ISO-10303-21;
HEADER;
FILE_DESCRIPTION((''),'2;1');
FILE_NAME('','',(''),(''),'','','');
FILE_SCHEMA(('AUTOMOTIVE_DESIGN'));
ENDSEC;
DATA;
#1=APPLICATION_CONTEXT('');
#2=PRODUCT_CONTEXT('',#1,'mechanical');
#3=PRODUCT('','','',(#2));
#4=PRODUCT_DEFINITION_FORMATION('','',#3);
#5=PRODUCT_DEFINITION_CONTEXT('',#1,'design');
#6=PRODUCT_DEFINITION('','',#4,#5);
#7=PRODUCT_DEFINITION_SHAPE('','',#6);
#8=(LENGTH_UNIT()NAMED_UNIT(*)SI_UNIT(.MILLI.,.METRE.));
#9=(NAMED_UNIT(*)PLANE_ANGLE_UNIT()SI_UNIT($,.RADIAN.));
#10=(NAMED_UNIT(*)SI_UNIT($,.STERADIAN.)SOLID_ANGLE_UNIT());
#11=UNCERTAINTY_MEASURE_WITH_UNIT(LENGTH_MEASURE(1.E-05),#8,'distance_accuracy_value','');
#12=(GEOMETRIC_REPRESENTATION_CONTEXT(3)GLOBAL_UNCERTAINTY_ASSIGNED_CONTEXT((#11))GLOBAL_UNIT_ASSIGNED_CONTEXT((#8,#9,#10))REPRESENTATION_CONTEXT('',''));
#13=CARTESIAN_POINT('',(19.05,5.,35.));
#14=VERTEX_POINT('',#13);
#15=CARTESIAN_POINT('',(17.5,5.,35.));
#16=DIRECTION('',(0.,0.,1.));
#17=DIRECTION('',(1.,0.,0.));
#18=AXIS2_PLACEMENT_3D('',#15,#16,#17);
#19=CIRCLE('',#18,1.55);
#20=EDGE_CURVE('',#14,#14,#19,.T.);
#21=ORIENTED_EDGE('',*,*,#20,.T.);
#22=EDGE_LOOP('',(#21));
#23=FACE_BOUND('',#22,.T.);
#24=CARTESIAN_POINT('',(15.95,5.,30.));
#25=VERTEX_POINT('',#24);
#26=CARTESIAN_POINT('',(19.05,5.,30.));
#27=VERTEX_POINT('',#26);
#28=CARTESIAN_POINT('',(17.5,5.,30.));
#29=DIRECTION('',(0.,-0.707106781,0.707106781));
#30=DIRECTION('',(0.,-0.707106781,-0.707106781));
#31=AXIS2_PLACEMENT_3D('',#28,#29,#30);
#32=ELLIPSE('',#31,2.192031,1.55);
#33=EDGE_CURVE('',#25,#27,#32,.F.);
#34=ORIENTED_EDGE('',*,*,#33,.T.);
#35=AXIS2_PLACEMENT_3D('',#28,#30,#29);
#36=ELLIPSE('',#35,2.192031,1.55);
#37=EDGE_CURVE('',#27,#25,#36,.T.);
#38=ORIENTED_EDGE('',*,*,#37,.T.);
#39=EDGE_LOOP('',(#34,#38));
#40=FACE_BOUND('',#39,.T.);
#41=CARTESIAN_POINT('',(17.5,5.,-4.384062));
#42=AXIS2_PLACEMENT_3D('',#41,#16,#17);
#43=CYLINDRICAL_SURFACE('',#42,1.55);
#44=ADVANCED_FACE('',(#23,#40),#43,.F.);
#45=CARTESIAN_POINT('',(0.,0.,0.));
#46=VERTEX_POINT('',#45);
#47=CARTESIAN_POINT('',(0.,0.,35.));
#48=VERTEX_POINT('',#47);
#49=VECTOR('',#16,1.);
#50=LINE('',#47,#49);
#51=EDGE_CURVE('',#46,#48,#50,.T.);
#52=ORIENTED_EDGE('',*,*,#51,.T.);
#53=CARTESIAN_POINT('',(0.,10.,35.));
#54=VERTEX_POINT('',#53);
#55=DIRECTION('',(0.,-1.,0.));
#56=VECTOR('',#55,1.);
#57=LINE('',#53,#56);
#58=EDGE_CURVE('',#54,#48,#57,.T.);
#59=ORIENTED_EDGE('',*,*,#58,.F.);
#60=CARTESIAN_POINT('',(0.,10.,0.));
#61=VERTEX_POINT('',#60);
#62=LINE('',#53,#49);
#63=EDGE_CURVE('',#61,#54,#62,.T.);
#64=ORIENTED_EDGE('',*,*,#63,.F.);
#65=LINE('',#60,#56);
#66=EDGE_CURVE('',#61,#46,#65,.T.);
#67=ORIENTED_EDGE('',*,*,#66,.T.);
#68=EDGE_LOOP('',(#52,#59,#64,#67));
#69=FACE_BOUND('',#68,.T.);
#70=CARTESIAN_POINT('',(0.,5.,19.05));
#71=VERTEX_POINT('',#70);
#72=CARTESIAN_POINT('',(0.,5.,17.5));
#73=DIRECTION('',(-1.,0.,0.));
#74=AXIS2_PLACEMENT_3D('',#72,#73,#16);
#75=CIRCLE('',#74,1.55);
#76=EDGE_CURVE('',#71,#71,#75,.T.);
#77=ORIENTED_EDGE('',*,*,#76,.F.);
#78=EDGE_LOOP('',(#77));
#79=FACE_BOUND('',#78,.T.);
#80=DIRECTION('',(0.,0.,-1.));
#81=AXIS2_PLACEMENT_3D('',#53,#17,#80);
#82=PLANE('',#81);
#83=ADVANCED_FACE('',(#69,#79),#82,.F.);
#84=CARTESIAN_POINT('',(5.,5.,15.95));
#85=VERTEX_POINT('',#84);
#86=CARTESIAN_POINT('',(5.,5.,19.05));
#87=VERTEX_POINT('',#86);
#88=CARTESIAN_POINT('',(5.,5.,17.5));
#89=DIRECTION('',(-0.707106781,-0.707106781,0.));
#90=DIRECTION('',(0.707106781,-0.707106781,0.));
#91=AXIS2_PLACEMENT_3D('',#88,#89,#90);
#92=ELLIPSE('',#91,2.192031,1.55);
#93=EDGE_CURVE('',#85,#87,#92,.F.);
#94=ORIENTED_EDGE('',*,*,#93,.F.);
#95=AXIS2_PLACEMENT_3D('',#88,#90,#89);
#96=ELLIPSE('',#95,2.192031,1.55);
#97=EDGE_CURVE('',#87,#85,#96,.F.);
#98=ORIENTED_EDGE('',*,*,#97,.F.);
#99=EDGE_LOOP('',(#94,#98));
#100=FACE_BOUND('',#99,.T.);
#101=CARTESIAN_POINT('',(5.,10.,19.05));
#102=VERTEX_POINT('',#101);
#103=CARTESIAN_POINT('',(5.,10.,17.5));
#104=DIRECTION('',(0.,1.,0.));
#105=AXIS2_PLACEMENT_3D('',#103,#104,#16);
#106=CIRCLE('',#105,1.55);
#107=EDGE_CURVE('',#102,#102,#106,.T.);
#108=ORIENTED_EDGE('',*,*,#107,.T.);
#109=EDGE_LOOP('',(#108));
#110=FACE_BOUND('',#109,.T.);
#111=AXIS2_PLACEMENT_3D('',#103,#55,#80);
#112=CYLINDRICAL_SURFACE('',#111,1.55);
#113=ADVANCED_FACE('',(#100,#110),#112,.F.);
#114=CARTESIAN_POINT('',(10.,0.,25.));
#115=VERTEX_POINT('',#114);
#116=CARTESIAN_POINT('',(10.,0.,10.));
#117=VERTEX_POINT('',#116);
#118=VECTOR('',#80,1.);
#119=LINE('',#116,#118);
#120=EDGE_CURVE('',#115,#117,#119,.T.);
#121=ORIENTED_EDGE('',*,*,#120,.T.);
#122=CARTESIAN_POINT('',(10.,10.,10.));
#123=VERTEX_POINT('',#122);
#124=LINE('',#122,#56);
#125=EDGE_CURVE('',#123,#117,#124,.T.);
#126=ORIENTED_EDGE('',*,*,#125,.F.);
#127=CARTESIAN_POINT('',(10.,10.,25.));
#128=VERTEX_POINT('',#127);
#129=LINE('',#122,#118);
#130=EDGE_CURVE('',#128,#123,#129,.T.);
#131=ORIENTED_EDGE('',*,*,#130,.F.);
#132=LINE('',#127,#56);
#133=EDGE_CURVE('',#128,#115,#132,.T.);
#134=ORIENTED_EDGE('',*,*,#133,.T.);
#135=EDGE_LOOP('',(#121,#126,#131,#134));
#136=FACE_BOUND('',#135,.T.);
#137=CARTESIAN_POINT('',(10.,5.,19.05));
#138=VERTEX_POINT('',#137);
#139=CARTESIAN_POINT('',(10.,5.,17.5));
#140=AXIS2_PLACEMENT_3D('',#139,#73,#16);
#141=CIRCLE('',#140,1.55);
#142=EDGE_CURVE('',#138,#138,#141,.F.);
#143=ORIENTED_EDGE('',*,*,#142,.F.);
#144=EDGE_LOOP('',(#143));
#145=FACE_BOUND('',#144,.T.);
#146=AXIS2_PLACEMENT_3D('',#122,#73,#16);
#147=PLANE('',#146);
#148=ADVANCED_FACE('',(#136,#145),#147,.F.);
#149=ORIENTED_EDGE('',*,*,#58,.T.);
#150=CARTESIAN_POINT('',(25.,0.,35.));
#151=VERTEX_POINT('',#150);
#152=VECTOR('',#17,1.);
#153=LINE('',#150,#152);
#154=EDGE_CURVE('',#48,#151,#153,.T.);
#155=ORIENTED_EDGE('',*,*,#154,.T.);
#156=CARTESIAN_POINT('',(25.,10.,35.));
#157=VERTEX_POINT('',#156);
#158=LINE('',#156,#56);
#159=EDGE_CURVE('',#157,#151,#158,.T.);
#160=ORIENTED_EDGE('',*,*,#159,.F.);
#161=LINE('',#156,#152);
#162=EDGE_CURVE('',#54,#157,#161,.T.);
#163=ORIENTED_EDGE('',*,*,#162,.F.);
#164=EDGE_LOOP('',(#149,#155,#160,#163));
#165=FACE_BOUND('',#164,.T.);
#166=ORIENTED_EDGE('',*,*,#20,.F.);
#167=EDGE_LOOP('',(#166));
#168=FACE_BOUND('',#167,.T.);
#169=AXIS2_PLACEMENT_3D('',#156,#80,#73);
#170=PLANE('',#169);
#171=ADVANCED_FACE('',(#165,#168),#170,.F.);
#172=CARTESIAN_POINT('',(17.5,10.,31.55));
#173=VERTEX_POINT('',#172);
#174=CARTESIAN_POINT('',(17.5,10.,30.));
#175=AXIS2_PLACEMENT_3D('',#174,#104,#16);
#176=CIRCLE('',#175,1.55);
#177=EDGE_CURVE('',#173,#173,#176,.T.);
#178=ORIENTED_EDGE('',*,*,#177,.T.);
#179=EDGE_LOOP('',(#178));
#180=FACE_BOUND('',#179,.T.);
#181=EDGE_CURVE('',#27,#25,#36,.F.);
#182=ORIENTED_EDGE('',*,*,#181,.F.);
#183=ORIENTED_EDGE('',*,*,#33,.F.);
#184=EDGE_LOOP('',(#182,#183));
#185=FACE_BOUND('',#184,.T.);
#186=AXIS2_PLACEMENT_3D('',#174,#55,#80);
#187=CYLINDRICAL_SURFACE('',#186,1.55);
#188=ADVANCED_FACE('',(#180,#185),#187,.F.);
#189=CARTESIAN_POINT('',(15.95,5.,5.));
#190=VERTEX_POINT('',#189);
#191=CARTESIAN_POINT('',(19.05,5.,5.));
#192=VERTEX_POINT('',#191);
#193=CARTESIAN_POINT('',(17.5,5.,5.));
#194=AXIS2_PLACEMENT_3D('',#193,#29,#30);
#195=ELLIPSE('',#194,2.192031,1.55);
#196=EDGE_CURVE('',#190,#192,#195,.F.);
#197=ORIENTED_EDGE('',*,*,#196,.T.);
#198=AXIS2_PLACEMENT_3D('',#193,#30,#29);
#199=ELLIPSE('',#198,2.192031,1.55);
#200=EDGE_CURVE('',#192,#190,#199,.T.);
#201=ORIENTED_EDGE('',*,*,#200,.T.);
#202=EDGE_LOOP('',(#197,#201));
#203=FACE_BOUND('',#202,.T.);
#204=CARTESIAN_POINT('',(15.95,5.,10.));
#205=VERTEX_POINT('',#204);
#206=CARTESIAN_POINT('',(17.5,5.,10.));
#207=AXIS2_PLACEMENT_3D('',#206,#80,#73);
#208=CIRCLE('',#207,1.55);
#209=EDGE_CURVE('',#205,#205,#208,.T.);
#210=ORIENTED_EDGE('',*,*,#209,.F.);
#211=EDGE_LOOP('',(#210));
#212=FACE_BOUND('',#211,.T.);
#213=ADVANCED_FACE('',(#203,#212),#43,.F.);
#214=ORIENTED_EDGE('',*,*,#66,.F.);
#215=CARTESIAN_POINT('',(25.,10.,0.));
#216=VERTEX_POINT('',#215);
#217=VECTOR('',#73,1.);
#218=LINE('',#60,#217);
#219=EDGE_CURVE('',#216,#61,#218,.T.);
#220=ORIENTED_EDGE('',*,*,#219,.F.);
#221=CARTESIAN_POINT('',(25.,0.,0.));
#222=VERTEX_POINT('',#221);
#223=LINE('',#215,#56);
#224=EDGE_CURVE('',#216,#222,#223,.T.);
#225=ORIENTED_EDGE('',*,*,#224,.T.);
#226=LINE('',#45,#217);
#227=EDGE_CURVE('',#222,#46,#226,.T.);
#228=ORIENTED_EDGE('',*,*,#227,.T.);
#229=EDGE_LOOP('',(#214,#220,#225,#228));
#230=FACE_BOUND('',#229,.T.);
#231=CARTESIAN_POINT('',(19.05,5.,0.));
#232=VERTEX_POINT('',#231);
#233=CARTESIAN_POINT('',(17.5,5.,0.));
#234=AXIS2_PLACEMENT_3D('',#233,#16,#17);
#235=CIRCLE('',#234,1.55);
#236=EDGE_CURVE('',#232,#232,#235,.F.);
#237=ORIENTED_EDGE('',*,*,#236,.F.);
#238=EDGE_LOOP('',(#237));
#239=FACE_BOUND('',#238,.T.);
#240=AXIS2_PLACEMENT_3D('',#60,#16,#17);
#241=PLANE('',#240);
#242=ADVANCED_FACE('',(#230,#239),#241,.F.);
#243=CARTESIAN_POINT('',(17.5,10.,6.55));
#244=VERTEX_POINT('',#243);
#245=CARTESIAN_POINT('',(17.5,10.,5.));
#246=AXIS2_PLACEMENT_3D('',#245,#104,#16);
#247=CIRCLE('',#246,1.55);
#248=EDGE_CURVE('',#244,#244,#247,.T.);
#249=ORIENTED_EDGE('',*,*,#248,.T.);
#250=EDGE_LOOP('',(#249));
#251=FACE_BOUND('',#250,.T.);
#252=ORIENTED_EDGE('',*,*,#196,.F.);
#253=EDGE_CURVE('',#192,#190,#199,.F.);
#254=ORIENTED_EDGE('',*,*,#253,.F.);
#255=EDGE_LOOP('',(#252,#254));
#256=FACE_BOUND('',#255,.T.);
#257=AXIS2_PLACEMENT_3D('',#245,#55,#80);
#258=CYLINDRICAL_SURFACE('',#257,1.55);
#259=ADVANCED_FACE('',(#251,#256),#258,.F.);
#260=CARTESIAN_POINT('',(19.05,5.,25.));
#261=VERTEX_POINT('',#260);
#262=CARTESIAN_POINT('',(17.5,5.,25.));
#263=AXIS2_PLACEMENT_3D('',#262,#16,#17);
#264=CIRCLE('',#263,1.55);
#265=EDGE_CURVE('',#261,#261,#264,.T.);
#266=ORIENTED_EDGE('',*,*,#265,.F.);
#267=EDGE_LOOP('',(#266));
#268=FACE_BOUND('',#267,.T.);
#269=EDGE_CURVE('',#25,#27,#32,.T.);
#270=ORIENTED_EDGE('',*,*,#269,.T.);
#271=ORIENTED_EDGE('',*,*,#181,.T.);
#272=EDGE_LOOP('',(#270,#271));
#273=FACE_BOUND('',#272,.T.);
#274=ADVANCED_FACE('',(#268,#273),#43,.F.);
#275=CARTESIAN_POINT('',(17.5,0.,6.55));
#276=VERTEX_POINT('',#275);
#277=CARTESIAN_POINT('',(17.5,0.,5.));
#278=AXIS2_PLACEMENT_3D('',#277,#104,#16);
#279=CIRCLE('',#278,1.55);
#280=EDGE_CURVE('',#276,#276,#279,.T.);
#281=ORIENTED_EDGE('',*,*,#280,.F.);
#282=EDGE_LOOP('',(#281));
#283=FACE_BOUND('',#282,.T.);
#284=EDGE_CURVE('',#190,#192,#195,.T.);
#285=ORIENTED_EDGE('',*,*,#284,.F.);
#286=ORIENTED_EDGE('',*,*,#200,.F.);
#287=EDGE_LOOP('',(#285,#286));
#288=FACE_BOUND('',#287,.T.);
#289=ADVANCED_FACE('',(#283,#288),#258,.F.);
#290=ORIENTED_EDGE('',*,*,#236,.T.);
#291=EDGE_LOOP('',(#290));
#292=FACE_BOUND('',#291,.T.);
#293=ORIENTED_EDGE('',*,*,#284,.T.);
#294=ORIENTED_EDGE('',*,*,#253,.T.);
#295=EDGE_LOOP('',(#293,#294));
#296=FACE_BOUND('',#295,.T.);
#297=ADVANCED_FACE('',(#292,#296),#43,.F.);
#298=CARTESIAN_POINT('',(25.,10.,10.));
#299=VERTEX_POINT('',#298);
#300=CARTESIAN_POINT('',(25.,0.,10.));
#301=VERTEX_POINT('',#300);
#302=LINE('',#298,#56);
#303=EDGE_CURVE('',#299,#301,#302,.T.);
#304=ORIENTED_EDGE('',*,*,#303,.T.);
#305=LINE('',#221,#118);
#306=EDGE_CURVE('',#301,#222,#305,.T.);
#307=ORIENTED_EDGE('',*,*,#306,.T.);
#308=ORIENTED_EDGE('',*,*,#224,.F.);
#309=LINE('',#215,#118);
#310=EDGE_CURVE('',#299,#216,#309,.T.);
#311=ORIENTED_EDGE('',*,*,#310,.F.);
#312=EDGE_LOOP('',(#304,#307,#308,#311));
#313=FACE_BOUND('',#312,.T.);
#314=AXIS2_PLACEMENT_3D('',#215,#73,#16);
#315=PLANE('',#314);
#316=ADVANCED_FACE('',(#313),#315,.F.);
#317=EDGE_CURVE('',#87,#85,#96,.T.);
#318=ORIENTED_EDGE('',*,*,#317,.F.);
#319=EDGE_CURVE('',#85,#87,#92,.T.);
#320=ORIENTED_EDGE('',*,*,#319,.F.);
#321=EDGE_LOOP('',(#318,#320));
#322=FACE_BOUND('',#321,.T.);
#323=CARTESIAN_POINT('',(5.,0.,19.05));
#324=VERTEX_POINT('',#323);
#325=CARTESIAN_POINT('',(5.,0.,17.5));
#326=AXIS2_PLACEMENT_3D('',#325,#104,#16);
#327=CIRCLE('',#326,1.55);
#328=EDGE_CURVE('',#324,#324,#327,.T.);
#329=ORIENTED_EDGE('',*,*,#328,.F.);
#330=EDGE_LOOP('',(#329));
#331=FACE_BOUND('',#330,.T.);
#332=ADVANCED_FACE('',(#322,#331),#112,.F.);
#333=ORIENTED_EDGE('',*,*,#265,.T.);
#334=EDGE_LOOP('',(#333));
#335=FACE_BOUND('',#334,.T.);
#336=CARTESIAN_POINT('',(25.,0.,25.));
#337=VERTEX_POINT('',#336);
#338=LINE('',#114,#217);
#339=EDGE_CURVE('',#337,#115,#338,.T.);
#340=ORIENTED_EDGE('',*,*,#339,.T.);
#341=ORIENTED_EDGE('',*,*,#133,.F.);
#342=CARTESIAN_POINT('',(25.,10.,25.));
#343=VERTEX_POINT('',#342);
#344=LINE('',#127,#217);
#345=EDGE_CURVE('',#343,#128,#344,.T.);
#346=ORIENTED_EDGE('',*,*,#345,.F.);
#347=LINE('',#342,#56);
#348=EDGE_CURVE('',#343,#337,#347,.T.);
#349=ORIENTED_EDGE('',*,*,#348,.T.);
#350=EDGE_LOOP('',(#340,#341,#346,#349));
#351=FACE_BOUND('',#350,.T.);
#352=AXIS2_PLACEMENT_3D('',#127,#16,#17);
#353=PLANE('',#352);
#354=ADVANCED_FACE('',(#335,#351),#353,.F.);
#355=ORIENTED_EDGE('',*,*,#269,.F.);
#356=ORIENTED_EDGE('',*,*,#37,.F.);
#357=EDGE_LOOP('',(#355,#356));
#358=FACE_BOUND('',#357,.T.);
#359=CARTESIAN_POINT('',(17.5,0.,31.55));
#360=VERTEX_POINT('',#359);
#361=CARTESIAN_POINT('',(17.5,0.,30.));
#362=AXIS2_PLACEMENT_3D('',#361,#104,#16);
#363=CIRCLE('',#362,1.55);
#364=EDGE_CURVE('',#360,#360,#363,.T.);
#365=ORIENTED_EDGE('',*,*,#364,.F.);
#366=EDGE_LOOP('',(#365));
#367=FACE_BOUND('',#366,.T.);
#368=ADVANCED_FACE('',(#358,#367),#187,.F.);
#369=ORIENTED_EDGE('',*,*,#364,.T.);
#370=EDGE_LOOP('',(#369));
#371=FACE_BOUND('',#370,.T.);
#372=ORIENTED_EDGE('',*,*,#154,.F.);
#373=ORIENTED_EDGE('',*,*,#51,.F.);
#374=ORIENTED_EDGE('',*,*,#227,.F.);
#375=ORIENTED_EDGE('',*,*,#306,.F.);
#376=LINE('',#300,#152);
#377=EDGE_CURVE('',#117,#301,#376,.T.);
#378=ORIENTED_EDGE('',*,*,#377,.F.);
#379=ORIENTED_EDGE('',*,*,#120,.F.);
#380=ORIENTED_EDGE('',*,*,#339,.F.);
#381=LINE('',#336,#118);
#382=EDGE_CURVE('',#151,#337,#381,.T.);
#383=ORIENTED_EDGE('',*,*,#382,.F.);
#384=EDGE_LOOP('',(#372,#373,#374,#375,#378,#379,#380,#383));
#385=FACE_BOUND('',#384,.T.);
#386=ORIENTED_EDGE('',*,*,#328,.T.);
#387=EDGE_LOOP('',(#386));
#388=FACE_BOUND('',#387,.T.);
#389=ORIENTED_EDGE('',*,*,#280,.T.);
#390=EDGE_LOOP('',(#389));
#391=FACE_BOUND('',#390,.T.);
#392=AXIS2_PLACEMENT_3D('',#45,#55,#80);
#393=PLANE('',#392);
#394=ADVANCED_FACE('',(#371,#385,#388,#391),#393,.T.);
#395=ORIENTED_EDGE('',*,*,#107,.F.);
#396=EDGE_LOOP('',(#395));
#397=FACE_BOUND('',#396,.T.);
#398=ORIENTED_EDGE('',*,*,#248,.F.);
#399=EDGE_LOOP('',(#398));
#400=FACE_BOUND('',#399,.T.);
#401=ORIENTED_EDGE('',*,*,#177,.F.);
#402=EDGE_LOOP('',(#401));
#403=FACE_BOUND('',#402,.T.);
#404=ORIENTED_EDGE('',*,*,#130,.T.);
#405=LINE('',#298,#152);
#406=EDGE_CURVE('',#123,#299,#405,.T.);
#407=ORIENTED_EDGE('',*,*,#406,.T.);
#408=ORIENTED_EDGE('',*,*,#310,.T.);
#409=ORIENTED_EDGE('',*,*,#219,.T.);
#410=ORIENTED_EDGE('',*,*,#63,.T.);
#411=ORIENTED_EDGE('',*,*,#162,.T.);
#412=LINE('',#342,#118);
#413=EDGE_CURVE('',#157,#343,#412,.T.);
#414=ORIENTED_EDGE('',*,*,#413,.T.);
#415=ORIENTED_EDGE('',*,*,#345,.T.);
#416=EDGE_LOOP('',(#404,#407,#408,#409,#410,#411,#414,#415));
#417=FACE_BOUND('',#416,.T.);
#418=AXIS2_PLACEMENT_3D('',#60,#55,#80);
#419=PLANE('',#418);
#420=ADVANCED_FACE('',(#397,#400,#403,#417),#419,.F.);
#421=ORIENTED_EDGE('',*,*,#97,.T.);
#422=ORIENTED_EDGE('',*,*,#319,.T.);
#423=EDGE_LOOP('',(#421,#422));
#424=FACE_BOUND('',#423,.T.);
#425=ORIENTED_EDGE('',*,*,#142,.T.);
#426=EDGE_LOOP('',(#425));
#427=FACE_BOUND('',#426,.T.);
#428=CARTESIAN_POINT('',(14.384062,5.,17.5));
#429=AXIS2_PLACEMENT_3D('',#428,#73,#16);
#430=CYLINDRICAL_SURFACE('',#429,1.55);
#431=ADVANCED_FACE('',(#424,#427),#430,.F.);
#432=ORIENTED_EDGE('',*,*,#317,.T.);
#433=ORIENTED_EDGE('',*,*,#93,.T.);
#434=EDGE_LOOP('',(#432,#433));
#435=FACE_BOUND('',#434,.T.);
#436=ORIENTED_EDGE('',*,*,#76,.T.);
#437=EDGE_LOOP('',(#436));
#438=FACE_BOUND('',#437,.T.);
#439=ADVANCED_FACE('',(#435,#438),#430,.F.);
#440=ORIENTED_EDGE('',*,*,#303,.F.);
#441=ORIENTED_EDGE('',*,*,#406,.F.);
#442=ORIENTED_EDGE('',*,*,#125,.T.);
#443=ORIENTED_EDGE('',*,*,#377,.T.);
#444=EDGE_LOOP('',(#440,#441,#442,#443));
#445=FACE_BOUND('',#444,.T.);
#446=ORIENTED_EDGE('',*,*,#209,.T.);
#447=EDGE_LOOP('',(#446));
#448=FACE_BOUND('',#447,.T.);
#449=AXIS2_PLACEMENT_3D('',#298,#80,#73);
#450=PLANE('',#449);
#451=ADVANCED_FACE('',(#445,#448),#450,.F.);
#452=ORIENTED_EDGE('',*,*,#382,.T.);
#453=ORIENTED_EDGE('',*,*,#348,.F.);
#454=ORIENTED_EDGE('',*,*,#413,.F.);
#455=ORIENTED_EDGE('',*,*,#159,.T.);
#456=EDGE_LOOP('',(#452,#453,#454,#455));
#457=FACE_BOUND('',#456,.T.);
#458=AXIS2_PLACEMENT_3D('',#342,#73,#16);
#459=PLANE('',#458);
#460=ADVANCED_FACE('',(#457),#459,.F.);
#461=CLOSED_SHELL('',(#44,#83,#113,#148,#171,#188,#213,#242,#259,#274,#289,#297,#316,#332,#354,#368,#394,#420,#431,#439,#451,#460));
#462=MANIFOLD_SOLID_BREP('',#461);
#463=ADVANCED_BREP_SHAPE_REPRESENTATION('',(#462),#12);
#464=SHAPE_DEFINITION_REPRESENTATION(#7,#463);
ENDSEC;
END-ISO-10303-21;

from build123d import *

# Parameters (mm, degrees)
SKETCH_1_R          = 1.55
EXTRUDE_1_DEPTH     = 10
CUT_EXTRUDE_1_REACH = 46.159
SKETCH_3_R          = 1.55
CUT_EXTRUDE_2_REACH = 46.159
SKETCH_4_R          = 1.55


with BuildPart() as part:
    # 草图1 → 凸台-拉伸1 (new body)
    with BuildSketch(Plane(origin=(0, 0, 0), x_dir=(1, 0, 0), z_dir=(0, 1, 0))):
        Polygon((0, 0), (25, 0), (25, -10), (10, -10), (10, -25), (25, -25), (25, -35), (0, -35), align=None)
        with Locations(Location((5, -17.5, 0), (0, 0, 270))):
            Circle(SKETCH_1_R, mode=Mode.SUBTRACT)
        with Locations(Location((17.5, -5, 0), (0, 0, 270))):
            Circle(SKETCH_1_R, mode=Mode.SUBTRACT)
        with Locations(Location((17.5, -30, 0), (0, 0, 270))):
            Circle(SKETCH_1_R, mode=Mode.SUBTRACT)
    extrude(amount=EXTRUDE_1_DEPTH)

    # 切除-拉伸1: up to this face of the body (flat: up to its plane)
    cut_extrude_1_end = Plane(part.part.faces().sort_by_distance((10, 5, 17.5))[0])
    # 草图3 → 切除-拉伸1 (cut, up to the picked face)
    with BuildSketch(Plane.ZY, mode=Mode.PRIVATE) as cut_extrude_1_sk1:
        with Locations((17.5, 5)):
            Circle(SKETCH_3_R)
    cut_extrude_1_tool1 = split(extrude(cut_extrude_1_sk1.sketch, amount=-CUT_EXTRUDE_1_REACH, mode=Mode.PRIVATE), bisect_by=cut_extrude_1_end, keep=Keep.BOTH, mode=Mode.PRIVATE)
    add(cut_extrude_1_tool1.solids().sort_by(Axis((0, 5, 17.5), (1, 0, 0)))[0], mode=Mode.SUBTRACT)

    # 切除-拉伸2: up to this face of the body (flat: up to its plane)
    cut_extrude_2_end = Plane(part.part.faces().sort_by_distance((12.5, 5, 0))[0])
    # 草图4 → 切除-拉伸2 (cut, up to the picked face)
    with BuildSketch(Plane.XY.offset(35), mode=Mode.PRIVATE) as cut_extrude_2_sk1:
        with Locations((17.5, 5)):
            Circle(SKETCH_4_R)
    cut_extrude_2_tool1 = split(extrude(cut_extrude_2_sk1.sketch, amount=-CUT_EXTRUDE_2_REACH, mode=Mode.PRIVATE), bisect_by=cut_extrude_2_end, keep=Keep.BOTH, mode=Mode.PRIVATE)
    add(cut_extrude_2_tool1.solids().sort_by(Axis((17.5, 5, 35), (0, 0, -1)))[0], mode=Mode.SUBTRACT)


solid = part.part
